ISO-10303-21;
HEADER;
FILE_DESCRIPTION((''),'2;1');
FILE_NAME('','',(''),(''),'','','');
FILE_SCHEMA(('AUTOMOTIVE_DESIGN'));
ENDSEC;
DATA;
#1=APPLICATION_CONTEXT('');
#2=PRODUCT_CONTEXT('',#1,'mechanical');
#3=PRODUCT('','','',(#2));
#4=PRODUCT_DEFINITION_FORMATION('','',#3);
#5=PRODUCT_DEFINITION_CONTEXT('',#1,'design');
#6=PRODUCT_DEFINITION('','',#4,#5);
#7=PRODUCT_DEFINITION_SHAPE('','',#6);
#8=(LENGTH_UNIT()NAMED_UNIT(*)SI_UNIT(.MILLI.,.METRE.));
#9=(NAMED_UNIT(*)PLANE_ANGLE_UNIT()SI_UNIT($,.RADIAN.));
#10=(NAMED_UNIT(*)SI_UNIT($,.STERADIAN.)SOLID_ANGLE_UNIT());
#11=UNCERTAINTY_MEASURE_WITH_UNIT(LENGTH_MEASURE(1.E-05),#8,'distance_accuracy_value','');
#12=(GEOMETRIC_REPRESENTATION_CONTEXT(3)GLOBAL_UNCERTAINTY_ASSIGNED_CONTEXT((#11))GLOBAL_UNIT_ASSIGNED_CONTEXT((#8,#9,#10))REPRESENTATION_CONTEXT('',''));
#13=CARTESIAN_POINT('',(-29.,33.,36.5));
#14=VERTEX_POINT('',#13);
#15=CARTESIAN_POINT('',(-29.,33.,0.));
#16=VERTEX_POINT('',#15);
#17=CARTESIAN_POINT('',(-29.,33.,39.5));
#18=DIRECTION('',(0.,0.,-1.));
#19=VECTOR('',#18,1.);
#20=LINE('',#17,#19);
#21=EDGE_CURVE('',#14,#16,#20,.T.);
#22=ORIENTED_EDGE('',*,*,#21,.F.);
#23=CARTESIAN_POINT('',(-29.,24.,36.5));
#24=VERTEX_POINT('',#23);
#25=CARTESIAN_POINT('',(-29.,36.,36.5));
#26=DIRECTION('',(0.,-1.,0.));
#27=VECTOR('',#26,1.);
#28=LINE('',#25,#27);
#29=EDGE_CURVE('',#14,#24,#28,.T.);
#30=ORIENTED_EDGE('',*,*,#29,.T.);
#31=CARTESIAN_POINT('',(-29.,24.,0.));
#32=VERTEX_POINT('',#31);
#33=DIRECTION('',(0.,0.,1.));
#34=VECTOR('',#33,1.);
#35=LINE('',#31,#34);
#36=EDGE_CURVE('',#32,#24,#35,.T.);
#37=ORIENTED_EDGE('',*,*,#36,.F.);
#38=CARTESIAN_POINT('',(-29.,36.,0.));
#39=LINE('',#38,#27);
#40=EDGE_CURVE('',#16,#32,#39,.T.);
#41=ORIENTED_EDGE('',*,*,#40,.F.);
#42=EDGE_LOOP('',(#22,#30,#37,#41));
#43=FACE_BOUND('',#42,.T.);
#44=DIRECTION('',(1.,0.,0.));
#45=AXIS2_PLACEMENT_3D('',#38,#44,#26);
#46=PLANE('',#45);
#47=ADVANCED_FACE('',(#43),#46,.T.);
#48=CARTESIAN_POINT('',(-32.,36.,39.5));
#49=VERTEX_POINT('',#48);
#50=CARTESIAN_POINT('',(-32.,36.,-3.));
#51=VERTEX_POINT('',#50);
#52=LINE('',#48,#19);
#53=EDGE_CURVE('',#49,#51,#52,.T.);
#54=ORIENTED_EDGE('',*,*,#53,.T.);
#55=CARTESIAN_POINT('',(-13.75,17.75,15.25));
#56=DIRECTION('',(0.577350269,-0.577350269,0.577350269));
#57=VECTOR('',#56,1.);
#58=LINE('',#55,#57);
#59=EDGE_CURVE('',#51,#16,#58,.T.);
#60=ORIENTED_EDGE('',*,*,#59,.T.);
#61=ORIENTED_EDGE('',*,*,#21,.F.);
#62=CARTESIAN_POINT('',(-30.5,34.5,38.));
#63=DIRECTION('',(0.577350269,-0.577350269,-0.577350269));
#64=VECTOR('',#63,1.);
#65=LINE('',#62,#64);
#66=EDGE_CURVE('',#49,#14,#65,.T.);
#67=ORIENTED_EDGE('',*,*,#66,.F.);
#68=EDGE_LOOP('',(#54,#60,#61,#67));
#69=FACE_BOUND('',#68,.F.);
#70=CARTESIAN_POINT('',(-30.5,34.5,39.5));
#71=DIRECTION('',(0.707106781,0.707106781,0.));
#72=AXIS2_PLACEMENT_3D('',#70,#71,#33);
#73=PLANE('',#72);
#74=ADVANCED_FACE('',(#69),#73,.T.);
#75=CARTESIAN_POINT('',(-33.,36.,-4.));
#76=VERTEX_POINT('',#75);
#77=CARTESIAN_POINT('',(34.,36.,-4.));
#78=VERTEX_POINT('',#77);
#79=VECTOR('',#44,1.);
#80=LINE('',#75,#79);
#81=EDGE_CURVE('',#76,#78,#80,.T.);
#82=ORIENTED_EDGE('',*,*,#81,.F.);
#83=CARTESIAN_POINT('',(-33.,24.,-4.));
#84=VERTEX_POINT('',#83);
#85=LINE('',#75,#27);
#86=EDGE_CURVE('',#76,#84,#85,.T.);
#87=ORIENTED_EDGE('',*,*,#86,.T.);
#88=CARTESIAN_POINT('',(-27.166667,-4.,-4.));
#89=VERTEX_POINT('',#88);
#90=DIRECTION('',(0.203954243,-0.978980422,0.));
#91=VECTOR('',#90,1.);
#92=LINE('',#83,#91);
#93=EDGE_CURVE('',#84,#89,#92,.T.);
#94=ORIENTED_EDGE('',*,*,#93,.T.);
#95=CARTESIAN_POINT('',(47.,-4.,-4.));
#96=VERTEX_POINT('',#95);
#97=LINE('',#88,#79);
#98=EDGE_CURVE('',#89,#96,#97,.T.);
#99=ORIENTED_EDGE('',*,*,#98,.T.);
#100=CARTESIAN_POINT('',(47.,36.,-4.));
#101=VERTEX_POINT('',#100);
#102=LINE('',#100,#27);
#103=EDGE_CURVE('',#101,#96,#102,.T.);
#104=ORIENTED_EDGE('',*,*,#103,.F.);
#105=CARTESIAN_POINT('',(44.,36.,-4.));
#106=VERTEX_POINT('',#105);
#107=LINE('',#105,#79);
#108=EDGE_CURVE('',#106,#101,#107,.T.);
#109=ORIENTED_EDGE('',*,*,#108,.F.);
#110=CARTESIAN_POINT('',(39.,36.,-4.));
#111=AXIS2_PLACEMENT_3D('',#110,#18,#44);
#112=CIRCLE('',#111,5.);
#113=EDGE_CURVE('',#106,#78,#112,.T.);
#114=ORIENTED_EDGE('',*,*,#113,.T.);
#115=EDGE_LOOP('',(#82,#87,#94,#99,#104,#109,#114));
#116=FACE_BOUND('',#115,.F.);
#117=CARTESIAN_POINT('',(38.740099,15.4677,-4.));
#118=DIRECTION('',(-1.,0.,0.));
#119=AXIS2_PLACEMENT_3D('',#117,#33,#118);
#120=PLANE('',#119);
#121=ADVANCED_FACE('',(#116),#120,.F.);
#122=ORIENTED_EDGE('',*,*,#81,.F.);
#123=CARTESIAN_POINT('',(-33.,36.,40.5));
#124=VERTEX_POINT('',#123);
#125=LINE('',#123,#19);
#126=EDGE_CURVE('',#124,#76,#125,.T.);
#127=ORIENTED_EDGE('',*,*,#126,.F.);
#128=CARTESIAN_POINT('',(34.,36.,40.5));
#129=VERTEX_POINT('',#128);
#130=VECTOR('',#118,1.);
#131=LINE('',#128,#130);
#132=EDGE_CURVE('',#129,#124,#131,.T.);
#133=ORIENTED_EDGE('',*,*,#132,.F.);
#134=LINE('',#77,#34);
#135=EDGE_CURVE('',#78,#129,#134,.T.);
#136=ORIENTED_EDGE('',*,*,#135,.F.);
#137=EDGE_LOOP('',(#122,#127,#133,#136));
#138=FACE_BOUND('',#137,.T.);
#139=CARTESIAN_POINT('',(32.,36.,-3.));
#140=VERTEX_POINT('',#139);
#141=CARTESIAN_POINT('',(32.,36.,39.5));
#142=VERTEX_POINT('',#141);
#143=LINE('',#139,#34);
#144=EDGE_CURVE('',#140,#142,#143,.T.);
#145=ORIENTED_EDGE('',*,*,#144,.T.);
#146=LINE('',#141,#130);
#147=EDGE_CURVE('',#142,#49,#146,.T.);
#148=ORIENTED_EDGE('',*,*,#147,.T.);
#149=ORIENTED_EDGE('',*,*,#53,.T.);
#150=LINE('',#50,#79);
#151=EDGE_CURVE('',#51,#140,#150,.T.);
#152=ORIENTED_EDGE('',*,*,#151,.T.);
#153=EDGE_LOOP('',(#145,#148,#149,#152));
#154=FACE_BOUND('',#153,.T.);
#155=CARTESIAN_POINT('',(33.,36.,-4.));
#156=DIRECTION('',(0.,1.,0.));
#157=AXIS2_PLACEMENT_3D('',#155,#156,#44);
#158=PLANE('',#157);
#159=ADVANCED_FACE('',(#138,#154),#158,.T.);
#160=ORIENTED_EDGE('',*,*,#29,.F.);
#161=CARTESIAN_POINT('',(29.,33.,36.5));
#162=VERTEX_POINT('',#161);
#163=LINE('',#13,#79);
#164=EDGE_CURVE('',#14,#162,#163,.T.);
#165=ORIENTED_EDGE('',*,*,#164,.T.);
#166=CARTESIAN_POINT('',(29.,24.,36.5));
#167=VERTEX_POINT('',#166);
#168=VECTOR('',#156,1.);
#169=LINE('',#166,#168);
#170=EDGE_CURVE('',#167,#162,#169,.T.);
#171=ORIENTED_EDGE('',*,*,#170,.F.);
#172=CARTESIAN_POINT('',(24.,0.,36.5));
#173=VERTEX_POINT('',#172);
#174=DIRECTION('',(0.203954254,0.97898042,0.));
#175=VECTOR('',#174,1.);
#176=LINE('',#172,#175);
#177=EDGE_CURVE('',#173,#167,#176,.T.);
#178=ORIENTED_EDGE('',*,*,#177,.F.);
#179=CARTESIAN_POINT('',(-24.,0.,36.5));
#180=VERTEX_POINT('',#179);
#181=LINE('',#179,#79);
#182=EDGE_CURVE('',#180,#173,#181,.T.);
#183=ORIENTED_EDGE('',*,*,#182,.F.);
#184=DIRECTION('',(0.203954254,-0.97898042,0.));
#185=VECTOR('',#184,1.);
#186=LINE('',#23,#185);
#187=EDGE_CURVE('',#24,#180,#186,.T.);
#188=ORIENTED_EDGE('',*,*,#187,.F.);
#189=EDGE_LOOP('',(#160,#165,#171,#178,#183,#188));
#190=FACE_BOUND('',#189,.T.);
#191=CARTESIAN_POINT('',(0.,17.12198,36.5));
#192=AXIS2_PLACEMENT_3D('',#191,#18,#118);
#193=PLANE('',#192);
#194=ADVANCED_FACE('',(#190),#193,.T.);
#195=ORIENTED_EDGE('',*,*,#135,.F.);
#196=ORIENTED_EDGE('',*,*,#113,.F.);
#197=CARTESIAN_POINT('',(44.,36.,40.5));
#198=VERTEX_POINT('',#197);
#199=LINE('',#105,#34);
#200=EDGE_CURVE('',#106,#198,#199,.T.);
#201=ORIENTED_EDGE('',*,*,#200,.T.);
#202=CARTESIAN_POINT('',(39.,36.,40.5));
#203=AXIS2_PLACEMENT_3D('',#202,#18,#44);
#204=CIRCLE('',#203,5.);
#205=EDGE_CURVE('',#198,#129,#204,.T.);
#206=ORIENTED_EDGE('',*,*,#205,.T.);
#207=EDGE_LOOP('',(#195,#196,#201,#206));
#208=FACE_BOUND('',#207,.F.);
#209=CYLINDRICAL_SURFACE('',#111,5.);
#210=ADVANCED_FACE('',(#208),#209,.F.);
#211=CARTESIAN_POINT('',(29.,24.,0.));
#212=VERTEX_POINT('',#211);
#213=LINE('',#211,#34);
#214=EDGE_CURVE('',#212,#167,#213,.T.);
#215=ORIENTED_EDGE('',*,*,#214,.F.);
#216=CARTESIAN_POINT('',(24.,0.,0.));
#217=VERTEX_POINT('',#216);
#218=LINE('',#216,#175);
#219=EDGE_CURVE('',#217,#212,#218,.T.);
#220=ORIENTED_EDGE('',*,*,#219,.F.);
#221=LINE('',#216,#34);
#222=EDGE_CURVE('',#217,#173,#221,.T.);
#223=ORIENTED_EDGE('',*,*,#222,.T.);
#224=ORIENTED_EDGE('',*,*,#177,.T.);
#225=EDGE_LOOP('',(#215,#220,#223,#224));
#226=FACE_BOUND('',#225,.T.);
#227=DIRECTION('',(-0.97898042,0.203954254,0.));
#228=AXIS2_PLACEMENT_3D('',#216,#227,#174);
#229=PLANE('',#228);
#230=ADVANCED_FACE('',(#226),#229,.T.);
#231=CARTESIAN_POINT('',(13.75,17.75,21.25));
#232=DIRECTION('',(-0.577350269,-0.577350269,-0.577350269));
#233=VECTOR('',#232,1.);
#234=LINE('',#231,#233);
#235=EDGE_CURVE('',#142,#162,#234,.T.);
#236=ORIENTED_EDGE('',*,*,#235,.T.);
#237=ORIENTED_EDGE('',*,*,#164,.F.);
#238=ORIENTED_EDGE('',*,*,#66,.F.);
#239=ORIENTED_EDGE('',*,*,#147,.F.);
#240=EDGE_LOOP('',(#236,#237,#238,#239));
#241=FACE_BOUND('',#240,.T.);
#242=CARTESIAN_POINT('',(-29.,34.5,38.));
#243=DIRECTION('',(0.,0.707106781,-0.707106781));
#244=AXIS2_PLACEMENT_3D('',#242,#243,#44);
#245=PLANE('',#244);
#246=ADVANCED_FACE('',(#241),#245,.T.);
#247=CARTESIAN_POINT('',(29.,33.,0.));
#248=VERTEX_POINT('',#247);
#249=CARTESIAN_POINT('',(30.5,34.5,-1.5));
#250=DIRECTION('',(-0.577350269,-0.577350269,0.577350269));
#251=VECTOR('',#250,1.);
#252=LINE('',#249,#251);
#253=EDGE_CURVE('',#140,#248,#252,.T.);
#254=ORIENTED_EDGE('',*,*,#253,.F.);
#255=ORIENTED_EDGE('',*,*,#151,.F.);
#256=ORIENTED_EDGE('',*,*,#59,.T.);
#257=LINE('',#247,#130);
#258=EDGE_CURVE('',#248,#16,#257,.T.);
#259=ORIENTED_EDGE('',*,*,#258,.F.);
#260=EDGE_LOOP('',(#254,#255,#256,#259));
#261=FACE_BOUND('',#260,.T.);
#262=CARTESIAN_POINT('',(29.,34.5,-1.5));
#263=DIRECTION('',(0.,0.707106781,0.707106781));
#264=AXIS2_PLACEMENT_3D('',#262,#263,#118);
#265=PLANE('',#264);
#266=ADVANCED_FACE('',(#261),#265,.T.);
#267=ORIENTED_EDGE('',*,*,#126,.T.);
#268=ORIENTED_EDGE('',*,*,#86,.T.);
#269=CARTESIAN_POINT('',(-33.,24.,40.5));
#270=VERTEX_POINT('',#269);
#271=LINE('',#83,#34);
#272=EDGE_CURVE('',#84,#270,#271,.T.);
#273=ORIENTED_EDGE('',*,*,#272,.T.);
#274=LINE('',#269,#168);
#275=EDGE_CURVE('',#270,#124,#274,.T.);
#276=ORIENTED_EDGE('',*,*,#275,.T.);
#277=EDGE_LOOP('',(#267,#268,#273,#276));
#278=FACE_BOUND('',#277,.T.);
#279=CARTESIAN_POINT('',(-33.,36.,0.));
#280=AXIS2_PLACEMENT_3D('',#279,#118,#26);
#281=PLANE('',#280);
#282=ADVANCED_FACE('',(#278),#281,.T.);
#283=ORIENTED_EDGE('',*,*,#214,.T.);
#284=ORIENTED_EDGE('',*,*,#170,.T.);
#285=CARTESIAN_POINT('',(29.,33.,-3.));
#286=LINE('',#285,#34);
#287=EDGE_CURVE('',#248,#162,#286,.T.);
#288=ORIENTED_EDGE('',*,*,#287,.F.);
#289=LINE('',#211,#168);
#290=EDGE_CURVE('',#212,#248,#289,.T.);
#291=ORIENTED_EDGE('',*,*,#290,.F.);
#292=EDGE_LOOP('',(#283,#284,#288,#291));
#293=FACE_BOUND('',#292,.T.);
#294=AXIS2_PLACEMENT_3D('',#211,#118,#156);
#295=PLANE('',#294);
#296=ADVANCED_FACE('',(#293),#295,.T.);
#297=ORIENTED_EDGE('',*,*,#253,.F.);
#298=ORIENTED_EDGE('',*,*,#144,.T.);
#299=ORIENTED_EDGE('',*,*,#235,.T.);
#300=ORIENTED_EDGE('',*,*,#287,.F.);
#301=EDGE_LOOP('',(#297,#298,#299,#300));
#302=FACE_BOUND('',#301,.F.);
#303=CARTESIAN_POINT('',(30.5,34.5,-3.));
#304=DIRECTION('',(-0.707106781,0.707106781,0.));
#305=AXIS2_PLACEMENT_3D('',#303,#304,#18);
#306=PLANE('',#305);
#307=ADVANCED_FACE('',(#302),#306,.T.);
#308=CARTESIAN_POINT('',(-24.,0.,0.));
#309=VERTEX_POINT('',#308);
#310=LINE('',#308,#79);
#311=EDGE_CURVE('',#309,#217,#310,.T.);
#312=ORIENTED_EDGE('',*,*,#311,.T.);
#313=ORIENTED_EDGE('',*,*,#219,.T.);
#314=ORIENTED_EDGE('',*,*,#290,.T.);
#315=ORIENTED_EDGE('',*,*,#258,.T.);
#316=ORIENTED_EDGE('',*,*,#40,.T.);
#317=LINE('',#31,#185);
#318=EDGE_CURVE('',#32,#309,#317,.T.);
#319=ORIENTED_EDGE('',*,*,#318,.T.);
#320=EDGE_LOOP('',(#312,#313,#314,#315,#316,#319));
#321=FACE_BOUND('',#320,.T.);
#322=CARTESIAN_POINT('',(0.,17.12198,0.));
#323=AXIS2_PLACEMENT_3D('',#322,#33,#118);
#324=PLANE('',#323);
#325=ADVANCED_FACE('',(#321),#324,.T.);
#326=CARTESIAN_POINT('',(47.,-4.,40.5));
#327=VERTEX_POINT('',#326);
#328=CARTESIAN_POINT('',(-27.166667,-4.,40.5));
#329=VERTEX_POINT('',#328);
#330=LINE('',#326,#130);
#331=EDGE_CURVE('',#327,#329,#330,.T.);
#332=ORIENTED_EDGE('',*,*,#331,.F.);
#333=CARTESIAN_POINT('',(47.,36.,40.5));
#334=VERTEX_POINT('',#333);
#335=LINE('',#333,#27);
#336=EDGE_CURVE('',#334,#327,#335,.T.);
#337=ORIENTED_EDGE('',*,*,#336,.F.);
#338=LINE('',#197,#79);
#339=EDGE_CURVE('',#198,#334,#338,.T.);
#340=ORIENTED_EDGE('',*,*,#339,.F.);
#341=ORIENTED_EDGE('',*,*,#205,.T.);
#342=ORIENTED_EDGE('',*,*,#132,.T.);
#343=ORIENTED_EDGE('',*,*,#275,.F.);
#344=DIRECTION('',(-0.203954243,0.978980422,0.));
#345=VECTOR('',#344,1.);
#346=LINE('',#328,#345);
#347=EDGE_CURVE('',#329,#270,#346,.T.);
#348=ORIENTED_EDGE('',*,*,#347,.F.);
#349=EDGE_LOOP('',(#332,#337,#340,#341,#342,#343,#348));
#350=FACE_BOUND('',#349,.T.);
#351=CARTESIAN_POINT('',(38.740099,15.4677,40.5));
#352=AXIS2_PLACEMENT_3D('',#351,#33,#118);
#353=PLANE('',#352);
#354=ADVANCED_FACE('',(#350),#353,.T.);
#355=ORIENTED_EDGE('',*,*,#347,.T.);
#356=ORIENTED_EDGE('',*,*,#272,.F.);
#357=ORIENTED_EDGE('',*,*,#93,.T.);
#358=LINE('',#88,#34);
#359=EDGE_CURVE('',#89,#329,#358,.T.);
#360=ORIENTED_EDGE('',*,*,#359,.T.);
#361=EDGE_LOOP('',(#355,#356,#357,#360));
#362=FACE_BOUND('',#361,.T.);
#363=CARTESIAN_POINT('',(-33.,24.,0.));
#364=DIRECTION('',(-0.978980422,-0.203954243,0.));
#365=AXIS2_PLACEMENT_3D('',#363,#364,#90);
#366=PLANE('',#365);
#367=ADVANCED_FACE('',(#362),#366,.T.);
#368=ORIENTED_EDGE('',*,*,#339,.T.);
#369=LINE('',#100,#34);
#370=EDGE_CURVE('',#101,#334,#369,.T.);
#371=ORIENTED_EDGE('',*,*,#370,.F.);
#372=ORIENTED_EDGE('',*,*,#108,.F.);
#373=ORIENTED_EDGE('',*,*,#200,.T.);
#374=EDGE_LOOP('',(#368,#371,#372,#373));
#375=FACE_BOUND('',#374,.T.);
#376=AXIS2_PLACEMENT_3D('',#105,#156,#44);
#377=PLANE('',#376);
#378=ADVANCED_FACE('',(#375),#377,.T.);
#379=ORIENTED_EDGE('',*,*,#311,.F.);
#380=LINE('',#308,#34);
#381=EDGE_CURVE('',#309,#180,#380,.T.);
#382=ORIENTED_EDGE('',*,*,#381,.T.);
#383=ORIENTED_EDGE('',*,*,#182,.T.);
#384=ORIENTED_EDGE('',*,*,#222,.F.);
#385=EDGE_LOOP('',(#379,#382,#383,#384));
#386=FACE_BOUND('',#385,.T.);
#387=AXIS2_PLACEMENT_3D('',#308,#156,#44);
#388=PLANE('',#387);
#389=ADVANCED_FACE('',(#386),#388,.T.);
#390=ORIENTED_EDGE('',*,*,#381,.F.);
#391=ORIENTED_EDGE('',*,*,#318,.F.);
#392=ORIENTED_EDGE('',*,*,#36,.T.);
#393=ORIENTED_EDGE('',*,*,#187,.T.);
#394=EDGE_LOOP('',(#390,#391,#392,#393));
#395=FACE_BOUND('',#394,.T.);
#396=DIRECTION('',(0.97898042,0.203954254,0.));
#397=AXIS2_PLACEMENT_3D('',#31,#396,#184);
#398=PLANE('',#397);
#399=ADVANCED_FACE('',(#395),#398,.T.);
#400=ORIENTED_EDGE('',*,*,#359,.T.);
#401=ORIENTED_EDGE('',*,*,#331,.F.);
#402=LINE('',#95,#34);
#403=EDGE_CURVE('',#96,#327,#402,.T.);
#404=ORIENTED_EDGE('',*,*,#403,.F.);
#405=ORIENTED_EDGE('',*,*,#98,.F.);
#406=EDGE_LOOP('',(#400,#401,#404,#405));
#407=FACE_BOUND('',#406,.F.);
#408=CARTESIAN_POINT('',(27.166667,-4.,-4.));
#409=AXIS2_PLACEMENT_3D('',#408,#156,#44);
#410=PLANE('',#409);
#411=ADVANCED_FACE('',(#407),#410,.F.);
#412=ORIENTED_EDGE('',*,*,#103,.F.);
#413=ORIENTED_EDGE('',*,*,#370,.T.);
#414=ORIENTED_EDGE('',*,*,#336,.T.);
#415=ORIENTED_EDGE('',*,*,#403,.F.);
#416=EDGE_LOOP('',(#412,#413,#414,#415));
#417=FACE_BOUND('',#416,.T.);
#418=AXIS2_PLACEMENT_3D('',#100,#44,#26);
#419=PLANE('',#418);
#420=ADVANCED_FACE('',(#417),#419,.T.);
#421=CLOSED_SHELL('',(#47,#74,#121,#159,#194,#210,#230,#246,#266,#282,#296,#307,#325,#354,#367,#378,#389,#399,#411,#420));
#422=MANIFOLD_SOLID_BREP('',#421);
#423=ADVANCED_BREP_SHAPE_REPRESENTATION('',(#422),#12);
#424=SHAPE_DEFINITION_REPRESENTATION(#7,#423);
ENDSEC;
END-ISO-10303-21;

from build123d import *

# Parameters (mm, degrees)
EXTRUDE001_DEPTH = 4
EXTRUDE002_DEPTH = 4
EXTRUDE003_DEPTH = 44.5
EXTRUDE_DEPTH    = 36.5
CHAMFER_SIZE     = 3
CHAMFER001_SIZE  = 3
CHAMFER002_SIZE  = 3
CHAMFER003_SIZE  = 3


with BuildPart() as extrude001:
    # Sketch001 (on Face14 of Extrude) → Extrude001 (new body)
    with BuildSketch(Plane.XY.offset(36.5)):
        Polygon((-33, 36), (33, 36), (33, 24), (27.166667, -4), (-27.166667, -4), (-33, 24), align=None)
    extrude(amount=EXTRUDE001_DEPTH)


with BuildPart() as extrude002:
    # Sketch002 (on Face13 of Extrude) → Extrude002 (new body)
    with BuildSketch(Plane(origin=(0, 0, 0), x_dir=(1, 0, 0), z_dir=(0, 0, -1))):
        Polygon((-33, -36), (-33, -24), (-27.166667, 4), (27.166667, 4), (33, -24), (33, -36), align=None)
    extrude(amount=EXTRUDE002_DEPTH)


with BuildPart() as extrude003:
    # Sketch003 (on Face8 of Extrude002) → Extrude003 (new body)
    with BuildSketch(Plane(origin=(0, 0, -4), x_dir=(1, 0, 0), z_dir=(0, 0, -1))):
        with BuildLine():
            Line((27.166667, 4), (47, 4))
            Line((47, -36), (47, 4))
            Line((44, -36), (47, -36))
            ThreePointArc((44, -36), (39, -31), (34, -36))
            Line((33, -36), (34, -36))
            Line((33, -24), (33, -36))
            Line((27.166667, 4), (33, -24))
        make_face()
    extrude(amount=-EXTRUDE003_DEPTH)


with BuildPart() as chamfer003:
    # Sketch → Extrude (new body)
    with BuildSketch(Plane.XY):
        Polygon((-24, 0), (24, 0), (29, 24), (29, 36), (33, 36), (33, 24), (27.166667, -4), (-27.166667, -4), (-33, 24), (-33, 36), (-29, 36), (-29, 24), align=None)
    extrude(amount=EXTRUDE_DEPTH)

    # Fusion: union Extrude001, Extrude002, Extrude003
    add(extrude001.part)
    add(extrude002.part)
    add(extrude003.part)

    # Chamfer
    chamfer_edges = [chamfer003.edges().sort_by_distance(p)[0] for p in [
        (0, 36, 36.5),
    ]]
    chamfer(chamfer_edges, length=CHAMFER_SIZE)

    # Chamfer001
    chamfer001_edges = [chamfer003.edges().sort_by_distance(p)[0] for p in [
        (0, 36, 0),
    ]]
    chamfer(chamfer001_edges, length=CHAMFER001_SIZE)

    # Chamfer002
    chamfer002_edges = [chamfer003.edges().sort_by_distance(p)[0] for p in [
        (29, 36, 38),
        (29, 36, 18.25),
        (29, 36, -1.5),
    ]]
    chamfer(chamfer002_edges, length=CHAMFER002_SIZE)

    # Chamfer003
    chamfer003_edges = [chamfer003.edges().sort_by_distance(p)[0] for p in [
        (-29, 36, 38),
        (-29, 36, 18.25),
        (-29, 36, -1.5),
    ]]
    chamfer(chamfer003_edges, length=CHAMFER003_SIZE)


solid = chamfer003.part
